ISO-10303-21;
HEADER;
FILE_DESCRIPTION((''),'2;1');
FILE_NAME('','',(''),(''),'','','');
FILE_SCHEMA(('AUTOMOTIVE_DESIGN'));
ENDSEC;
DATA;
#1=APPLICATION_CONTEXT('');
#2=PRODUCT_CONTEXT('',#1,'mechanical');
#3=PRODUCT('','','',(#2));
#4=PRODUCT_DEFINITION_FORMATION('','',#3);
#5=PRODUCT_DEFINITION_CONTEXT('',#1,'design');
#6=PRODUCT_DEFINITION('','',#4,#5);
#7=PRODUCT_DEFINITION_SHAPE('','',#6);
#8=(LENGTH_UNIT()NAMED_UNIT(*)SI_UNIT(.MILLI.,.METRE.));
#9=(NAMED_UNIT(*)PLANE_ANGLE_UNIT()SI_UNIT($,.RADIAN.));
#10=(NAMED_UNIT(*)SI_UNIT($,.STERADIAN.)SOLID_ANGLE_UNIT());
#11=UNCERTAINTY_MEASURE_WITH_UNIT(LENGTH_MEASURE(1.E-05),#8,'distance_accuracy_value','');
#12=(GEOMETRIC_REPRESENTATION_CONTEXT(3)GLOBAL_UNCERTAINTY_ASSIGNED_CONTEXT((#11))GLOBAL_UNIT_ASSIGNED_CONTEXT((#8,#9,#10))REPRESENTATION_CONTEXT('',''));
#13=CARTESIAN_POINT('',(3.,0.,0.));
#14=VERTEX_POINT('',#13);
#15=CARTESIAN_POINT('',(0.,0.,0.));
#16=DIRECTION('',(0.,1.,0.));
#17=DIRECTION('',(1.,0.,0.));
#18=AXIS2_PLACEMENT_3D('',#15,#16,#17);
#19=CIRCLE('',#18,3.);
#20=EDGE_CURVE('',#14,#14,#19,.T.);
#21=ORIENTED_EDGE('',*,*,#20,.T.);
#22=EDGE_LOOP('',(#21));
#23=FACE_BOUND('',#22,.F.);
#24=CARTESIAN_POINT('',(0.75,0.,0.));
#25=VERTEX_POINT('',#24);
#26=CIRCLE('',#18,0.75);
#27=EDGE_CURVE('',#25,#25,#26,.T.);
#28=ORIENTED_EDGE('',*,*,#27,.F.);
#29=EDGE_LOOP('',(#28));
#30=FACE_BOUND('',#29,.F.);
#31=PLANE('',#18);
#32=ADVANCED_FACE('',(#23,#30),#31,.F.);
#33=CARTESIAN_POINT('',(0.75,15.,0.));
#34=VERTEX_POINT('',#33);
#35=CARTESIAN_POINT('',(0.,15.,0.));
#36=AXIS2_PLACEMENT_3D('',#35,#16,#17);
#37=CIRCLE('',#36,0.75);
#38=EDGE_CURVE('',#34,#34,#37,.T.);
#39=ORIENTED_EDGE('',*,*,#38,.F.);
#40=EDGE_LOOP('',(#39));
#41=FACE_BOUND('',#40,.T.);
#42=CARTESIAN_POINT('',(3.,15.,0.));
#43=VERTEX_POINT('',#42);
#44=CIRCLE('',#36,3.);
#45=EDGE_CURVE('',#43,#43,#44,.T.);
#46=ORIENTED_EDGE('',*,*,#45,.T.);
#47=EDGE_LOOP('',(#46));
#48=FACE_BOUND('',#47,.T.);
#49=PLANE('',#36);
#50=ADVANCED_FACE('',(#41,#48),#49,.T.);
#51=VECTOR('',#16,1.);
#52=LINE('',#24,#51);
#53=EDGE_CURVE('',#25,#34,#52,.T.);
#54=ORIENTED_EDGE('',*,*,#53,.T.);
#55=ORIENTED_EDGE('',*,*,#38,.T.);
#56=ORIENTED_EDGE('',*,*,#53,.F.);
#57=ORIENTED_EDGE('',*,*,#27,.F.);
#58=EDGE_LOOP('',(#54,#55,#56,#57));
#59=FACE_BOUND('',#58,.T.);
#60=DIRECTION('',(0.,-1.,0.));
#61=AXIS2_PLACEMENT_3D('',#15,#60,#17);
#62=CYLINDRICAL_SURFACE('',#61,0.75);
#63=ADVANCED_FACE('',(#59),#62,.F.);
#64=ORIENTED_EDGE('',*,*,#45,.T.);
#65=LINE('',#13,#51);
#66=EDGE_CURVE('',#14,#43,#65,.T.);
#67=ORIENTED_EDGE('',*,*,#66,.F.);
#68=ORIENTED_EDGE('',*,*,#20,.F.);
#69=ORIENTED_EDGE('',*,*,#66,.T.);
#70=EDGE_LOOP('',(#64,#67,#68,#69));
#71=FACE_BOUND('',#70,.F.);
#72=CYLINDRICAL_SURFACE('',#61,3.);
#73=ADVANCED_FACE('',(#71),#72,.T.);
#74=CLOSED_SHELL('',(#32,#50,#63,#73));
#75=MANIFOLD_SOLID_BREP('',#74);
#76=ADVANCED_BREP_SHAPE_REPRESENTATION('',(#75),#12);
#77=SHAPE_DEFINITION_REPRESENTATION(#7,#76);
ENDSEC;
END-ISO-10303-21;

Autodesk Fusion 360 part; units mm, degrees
sketch "Sketch1" plane through (0, 0, 0) normal (0, 1, 0) x (1, 0, 0)
  circle A0 centre (0, 0) radius 0.75
  circle A1 centre (0, 0) radius 3
  dimension "d1" = 1.5
  dimension "d2" = 6
extrude "Extrude1" add sketch "Sketch1" along normal blind 15
